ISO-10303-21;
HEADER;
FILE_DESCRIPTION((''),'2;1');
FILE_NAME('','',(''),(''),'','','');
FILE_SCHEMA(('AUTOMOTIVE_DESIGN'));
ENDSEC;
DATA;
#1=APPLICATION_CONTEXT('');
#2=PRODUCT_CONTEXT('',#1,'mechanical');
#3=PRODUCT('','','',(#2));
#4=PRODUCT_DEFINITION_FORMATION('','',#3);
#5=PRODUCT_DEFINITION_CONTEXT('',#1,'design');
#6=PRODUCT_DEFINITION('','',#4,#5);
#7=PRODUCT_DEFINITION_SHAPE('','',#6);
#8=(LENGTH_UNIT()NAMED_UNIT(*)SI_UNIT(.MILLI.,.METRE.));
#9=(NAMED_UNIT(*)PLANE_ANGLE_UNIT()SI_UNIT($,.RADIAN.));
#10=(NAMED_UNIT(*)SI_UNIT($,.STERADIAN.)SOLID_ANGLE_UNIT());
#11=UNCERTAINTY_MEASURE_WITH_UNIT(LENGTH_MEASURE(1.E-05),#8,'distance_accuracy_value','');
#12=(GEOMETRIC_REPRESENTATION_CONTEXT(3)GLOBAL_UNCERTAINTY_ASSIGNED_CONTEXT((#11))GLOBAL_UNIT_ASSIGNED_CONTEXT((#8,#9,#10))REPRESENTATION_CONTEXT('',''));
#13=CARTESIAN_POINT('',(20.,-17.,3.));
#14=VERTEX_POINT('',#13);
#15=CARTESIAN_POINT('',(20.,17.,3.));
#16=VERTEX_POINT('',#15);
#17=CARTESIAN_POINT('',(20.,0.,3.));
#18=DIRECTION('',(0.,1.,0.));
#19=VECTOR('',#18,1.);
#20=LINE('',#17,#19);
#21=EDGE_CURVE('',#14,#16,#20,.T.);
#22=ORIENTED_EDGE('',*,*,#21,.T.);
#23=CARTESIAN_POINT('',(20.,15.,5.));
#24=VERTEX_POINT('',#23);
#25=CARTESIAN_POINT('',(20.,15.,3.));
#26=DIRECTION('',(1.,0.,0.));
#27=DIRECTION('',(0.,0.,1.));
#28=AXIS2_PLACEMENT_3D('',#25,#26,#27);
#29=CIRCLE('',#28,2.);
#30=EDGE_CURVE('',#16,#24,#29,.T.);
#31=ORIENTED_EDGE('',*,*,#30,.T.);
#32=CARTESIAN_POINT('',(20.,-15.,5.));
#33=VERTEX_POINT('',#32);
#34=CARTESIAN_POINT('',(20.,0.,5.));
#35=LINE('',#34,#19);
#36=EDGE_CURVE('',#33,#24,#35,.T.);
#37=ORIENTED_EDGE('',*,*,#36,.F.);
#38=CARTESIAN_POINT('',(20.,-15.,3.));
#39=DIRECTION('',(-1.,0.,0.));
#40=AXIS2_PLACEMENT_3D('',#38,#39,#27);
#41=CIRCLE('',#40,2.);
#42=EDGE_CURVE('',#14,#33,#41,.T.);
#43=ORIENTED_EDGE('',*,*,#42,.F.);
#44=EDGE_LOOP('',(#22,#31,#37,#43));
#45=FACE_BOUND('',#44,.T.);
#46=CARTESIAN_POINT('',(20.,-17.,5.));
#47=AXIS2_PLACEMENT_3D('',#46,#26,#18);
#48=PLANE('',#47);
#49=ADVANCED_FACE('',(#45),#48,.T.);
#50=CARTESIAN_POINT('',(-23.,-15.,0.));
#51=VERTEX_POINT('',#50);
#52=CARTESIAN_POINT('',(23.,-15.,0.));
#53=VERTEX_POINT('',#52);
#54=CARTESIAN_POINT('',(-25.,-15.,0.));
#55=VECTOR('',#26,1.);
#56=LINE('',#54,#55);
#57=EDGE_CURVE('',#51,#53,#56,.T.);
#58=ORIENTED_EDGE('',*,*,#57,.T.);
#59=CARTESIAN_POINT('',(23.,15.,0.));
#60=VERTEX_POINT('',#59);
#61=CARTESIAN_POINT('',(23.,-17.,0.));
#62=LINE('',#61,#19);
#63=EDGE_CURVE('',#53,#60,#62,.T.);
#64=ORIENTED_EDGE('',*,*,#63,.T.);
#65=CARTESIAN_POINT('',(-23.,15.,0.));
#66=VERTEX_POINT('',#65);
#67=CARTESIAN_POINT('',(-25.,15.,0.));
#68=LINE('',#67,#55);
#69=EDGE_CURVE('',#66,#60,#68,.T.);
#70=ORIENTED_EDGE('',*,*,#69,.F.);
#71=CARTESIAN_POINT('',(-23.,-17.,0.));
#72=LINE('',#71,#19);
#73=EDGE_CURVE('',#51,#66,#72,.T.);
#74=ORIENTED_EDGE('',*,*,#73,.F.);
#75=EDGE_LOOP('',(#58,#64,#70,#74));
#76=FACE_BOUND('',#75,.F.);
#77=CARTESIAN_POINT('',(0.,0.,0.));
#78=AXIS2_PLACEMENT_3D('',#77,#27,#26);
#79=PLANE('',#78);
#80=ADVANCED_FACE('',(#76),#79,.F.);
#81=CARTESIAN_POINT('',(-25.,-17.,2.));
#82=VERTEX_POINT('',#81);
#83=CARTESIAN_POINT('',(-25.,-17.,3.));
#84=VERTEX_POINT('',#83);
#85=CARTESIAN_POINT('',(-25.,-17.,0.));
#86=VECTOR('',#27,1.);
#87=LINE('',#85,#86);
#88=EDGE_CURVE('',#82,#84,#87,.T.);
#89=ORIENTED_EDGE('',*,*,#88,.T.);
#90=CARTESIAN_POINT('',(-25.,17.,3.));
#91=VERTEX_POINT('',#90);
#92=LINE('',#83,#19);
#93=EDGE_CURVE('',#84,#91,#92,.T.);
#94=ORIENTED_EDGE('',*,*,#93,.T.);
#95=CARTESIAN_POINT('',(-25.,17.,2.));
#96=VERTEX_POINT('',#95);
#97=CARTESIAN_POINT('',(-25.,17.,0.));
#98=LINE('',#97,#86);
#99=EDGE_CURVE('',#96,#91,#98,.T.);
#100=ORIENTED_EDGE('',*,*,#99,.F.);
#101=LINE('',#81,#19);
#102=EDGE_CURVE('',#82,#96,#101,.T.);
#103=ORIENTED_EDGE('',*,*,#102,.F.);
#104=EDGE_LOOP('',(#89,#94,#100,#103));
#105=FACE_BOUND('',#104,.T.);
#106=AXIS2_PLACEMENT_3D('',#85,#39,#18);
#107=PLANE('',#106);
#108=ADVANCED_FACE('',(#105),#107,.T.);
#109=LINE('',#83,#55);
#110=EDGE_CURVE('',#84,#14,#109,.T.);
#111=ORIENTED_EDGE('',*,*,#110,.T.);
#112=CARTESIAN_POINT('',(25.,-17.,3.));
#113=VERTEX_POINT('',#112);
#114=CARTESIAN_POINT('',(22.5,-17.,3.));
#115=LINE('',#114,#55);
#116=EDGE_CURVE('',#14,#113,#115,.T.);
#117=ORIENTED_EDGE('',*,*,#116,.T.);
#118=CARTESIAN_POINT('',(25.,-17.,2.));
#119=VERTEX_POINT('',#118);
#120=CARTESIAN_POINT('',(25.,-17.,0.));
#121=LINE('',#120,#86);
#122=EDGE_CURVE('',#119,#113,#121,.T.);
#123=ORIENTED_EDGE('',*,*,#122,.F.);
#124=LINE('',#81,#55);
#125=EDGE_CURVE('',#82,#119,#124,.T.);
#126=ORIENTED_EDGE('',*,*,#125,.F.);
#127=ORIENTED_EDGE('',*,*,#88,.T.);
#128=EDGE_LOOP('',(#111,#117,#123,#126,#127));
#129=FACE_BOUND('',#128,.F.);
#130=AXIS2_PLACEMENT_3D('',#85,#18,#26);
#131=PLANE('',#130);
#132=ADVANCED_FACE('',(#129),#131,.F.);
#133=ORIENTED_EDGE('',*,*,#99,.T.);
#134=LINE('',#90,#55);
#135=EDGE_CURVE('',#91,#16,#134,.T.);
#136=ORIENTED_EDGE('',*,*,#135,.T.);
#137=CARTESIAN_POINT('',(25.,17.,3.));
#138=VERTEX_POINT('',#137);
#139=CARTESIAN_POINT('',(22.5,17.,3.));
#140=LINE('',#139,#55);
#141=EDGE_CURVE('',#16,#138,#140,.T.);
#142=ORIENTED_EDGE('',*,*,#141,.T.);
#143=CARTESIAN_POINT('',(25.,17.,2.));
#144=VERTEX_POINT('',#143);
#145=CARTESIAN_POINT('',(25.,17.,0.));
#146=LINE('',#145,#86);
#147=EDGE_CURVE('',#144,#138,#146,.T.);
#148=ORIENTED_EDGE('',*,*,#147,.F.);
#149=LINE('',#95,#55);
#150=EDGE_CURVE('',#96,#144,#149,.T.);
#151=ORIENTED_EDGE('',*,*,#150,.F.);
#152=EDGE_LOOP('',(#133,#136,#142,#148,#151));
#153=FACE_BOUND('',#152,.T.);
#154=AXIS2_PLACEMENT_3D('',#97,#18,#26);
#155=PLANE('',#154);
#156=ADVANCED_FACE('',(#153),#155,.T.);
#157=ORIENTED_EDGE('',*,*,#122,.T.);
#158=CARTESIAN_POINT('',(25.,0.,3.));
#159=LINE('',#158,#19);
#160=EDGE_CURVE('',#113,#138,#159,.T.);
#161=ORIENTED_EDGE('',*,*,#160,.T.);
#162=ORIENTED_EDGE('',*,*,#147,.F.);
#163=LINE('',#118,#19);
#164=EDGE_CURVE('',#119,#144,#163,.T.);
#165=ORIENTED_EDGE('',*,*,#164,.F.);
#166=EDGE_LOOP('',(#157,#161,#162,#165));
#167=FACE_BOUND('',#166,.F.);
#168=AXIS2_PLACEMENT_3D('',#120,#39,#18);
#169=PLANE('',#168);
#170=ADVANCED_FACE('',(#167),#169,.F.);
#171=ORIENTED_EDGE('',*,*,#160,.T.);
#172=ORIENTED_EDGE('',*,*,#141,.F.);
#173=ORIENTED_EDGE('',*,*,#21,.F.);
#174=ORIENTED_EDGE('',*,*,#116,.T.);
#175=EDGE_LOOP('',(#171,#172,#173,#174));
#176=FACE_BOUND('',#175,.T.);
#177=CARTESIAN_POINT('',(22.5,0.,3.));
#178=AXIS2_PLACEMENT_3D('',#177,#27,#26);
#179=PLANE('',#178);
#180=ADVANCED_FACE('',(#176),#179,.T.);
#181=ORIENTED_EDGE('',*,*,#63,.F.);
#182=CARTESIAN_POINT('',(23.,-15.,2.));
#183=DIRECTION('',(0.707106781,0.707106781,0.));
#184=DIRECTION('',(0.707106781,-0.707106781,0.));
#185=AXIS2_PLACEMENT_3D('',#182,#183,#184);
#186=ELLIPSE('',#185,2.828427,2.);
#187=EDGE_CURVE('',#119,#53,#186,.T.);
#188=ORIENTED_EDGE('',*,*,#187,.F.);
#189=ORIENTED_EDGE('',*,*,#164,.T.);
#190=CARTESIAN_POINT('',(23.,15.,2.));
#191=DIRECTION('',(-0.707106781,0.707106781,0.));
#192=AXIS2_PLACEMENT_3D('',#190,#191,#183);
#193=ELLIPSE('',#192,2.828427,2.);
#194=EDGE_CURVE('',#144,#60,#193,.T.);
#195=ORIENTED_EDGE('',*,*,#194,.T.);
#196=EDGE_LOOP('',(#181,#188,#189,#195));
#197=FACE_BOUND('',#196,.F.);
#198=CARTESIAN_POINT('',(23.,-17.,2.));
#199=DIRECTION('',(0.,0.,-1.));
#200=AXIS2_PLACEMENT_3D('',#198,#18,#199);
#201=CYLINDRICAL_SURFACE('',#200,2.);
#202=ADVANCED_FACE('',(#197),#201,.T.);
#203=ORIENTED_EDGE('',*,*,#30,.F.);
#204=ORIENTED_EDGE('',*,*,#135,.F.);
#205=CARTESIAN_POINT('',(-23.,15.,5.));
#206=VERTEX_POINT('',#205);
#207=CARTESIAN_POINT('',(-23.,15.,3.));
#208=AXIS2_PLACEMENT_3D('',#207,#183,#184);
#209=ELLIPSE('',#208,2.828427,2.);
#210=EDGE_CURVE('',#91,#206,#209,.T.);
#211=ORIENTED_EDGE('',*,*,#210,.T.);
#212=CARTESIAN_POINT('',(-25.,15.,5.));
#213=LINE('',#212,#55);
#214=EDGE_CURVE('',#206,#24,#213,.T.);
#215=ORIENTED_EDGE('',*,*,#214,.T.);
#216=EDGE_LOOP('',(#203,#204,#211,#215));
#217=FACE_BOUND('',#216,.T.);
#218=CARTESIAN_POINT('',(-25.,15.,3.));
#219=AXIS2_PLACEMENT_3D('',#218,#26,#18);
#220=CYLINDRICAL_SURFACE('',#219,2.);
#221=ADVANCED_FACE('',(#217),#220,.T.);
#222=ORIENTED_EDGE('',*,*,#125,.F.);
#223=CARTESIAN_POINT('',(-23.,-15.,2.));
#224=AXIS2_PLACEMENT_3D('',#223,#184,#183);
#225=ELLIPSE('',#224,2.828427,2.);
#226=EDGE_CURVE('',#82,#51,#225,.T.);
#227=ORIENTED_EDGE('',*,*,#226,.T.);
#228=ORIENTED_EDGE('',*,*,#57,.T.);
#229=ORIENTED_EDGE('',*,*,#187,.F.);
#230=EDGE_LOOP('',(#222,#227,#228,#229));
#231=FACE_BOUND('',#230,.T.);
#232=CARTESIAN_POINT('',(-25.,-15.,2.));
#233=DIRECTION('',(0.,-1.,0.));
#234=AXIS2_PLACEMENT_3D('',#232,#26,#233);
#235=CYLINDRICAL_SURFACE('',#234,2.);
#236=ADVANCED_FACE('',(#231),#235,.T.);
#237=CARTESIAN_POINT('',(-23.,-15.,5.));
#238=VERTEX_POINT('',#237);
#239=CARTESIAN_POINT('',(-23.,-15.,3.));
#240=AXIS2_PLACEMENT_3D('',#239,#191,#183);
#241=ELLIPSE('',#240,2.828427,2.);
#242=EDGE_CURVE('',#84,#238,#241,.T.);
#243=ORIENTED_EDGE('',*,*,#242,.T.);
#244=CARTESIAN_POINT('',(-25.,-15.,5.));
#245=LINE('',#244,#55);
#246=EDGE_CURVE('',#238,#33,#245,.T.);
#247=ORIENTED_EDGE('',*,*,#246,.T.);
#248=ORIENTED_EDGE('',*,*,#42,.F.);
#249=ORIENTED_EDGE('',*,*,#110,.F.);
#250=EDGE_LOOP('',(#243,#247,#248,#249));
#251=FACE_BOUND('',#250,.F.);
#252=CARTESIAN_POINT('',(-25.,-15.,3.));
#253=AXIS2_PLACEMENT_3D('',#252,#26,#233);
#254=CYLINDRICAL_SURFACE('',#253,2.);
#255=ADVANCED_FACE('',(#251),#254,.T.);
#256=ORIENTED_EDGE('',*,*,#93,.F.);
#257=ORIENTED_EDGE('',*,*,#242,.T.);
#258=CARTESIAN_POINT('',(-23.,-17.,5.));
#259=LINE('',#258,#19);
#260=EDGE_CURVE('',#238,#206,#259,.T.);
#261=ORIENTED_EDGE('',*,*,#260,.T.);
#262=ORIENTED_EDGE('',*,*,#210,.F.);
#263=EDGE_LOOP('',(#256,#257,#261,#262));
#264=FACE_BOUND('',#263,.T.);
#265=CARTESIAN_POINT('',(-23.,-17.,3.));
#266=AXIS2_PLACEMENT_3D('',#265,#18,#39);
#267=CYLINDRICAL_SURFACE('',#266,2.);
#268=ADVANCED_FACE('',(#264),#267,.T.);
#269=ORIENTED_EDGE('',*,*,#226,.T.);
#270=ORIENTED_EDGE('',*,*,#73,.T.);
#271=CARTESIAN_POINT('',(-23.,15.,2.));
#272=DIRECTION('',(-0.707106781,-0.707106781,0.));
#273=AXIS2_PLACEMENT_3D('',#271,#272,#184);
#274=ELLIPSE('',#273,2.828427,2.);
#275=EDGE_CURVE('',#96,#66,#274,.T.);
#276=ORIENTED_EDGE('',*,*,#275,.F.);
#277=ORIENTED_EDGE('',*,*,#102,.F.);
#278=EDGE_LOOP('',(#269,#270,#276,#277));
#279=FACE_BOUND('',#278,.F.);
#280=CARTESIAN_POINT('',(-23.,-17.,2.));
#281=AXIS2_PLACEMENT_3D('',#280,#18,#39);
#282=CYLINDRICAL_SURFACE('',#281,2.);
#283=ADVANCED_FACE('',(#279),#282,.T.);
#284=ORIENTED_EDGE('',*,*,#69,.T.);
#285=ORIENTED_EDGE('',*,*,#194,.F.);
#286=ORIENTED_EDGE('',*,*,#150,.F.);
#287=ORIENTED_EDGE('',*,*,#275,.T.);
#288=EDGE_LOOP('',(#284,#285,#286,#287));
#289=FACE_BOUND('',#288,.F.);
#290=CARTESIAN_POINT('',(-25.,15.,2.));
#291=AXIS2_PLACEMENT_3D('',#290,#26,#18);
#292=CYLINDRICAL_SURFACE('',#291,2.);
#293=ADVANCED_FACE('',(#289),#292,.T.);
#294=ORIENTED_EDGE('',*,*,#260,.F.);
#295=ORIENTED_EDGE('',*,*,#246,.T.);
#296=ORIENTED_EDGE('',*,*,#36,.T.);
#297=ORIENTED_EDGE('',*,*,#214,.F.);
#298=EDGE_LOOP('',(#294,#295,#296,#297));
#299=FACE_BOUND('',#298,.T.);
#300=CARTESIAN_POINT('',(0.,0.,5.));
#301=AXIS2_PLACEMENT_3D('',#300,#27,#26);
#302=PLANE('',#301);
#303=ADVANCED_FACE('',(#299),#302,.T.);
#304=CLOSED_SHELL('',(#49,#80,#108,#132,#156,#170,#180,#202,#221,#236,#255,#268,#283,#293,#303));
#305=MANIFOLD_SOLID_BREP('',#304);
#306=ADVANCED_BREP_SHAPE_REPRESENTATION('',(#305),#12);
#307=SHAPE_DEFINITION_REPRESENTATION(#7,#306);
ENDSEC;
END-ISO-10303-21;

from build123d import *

# Parameters (mm, degrees)
F0_W     = 50
F0_H     = 34
F1_DEPTH = 5
F2_W     = 5
F2_H     = 34
F3_DEPTH = 2
F4_R     = 2


with BuildPart() as f1:
    # F0 (on Top) → F1 (new body)
    with BuildSketch(Plane.XY):
        Rectangle(F0_W, F0_H)
    extrude(amount=F1_DEPTH)

    # F2 (on face) → F3 (cut)
    with BuildSketch(Plane.XY.offset(5)):
        with Locations((22.5, 0)):
            Rectangle(F2_W, F2_H)
    extrude(amount=-F3_DEPTH, mode=Mode.SUBTRACT)

    # F4
    f4_edges = [f1.edges().sort_by_distance(p)[0] for p in [
        (-2.5, 17, 5),
        (-2.5, -17, 5),
        (0, -17, 0),
        (0, 17, 0),
        (-25, 0, 0),
        (-25, 0, 5),
        (25, 0, 0),
    ]]
    fillet(f4_edges, radius=F4_R)


solid = f1.part
